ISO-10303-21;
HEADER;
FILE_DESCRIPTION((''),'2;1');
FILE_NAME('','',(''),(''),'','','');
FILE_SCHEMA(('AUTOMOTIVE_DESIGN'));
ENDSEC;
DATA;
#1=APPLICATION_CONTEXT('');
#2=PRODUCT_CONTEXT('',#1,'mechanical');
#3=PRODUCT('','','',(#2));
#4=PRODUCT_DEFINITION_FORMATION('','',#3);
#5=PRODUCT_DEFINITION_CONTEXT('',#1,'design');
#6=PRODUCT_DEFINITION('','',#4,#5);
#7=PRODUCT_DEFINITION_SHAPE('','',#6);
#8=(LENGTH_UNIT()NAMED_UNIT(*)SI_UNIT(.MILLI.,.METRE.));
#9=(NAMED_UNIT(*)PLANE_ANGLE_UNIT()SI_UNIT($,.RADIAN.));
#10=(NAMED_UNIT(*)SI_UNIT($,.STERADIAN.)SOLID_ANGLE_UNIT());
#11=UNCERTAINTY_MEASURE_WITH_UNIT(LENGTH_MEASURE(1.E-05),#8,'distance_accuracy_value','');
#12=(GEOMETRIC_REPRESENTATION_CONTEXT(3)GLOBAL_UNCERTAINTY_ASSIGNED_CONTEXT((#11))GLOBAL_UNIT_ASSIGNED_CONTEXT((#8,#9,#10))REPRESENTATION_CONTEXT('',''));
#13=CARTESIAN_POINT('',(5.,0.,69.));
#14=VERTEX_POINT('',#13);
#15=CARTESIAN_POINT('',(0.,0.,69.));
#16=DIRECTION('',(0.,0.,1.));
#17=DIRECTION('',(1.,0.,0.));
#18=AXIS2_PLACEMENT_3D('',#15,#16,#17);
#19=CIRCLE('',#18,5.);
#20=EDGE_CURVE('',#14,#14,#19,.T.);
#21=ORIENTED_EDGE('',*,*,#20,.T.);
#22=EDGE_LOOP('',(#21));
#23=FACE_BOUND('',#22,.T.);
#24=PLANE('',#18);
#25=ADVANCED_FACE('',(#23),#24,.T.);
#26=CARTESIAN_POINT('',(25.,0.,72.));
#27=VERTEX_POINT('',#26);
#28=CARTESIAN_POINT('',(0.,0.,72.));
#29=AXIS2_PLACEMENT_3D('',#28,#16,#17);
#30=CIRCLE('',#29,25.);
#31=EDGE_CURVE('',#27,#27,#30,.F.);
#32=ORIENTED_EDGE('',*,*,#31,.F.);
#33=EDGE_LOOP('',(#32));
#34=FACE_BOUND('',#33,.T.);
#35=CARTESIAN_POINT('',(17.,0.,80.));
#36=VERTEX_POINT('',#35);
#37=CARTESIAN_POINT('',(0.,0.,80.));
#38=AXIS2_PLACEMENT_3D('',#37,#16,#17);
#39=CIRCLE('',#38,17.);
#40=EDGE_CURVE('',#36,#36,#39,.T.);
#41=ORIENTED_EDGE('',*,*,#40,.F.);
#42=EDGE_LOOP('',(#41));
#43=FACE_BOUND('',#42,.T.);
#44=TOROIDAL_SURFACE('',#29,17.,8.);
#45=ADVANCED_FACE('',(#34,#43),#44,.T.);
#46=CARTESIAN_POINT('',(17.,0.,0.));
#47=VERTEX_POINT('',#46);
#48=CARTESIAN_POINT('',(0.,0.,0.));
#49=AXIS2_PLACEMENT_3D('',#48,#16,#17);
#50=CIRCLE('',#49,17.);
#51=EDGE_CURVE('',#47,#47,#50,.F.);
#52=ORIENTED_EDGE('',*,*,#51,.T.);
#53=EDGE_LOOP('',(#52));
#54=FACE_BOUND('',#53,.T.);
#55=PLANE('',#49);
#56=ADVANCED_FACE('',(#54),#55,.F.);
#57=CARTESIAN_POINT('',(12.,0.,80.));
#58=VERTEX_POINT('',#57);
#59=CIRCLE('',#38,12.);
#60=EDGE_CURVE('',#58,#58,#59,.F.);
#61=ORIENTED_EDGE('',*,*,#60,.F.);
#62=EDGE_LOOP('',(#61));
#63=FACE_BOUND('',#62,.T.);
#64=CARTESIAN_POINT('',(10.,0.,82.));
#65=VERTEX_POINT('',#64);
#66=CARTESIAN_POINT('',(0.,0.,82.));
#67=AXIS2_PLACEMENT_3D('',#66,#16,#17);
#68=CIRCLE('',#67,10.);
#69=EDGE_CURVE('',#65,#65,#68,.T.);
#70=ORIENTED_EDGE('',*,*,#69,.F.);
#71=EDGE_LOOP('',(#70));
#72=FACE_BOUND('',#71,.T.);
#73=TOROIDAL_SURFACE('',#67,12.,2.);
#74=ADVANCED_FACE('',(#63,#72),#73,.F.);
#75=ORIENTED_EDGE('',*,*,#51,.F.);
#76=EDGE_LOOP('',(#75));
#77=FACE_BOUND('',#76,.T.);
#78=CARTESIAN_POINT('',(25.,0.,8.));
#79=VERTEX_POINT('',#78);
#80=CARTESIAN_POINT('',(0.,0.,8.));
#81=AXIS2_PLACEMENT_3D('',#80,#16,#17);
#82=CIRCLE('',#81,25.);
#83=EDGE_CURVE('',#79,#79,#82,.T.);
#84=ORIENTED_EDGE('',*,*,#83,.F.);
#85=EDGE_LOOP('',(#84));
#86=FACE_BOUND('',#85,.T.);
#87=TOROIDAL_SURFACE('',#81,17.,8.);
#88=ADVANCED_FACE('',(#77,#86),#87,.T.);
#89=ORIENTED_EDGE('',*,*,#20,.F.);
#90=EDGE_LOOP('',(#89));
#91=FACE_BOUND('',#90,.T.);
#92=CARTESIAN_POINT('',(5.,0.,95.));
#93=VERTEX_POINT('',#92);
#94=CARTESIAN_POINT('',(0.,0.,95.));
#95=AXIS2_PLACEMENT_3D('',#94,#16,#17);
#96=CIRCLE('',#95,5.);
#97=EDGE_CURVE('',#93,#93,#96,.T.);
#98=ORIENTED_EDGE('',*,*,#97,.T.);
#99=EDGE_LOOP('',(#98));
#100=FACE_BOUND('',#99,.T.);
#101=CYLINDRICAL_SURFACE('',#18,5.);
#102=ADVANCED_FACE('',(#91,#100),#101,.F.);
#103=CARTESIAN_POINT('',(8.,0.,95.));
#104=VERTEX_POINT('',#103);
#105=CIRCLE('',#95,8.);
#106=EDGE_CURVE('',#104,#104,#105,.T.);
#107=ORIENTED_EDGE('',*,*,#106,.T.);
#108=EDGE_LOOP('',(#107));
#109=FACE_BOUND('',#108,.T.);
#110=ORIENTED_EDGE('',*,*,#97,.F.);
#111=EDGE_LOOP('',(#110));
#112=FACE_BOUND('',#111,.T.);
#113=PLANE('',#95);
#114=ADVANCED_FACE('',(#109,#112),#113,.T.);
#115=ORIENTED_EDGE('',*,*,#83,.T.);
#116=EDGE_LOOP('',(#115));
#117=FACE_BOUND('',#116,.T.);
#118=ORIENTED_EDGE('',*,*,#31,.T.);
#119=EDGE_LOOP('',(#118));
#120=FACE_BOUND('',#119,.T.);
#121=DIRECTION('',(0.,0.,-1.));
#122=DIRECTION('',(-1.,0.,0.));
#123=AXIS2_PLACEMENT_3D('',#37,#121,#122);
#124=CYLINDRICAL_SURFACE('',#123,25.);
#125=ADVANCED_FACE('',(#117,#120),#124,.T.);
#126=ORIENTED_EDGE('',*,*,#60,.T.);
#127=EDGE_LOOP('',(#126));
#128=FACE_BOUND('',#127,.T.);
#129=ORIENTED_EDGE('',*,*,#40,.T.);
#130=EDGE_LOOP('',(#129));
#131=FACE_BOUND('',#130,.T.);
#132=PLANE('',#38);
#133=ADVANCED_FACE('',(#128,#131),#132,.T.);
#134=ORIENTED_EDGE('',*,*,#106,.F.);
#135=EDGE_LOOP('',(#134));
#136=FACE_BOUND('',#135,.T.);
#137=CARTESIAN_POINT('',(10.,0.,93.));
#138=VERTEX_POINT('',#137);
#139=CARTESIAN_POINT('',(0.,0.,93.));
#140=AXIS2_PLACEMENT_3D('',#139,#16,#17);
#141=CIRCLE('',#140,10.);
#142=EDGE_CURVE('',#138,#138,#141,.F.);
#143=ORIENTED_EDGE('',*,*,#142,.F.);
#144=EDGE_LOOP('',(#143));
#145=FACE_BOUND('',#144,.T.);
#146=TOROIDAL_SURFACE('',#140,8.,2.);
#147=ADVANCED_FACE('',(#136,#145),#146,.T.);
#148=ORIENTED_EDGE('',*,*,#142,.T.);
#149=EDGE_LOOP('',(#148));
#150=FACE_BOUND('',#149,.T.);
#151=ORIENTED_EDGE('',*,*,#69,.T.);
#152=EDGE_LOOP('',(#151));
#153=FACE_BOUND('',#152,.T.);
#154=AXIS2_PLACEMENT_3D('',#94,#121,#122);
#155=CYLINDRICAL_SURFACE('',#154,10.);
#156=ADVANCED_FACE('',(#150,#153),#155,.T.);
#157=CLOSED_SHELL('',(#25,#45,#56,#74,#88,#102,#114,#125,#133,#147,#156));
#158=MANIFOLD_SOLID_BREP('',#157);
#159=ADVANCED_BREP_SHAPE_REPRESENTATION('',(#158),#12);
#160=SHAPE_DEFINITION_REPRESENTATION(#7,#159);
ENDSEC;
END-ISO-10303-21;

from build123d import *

# Parameters (mm, degrees)
SKETCH1_R           = 25
BOSS_EXTRUDE1_DEPTH = 80
SKETCH2_R           = 10
BOSS_EXTRUDE2_DEPTH = 15
FILLET1_R           = 8
FILLET2_R           = 8
FILLET3_R           = 2
SKETCH3_R           = 5
CUT_EXTRUDE1_DEPTH  = 26


with BuildPart() as part:
    # Sketch1 → Boss-Extrude1 (new body)
    with BuildSketch(Plane.XY):
        Circle(SKETCH1_R)
    extrude(amount=BOSS_EXTRUDE1_DEPTH)

    # Sketch2 → Boss-Extrude2 (add)
    with BuildSketch(Plane.XY.offset(80)):
        Circle(SKETCH2_R)
    extrude(amount=BOSS_EXTRUDE2_DEPTH)

    # Fillet1
    fillet1_edges = [part.edges().sort_by_distance(p)[0] for p in [
        (-25, 0, 80),
    ]]
    fillet(fillet1_edges, radius=FILLET1_R)

    # Fillet2
    fillet2_edges = [part.edges().sort_by_distance(p)[0] for p in [
        (-25, 0, 0),
    ]]
    fillet(fillet2_edges, radius=FILLET2_R)

    # Fillet3
    fillet3_edges = [part.edges().sort_by_distance(p)[0] for p in [
        (-10, 0, 80),
        (-10, 0, 95),
    ]]
    fillet(fillet3_edges, radius=FILLET3_R)

    # Sketch3 → Cut-Extrude1 (cut)
    with BuildSketch(Plane.XY.offset(95)):
        Circle(SKETCH3_R)
    extrude(amount=-CUT_EXTRUDE1_DEPTH, mode=Mode.SUBTRACT)


solid = part.part
